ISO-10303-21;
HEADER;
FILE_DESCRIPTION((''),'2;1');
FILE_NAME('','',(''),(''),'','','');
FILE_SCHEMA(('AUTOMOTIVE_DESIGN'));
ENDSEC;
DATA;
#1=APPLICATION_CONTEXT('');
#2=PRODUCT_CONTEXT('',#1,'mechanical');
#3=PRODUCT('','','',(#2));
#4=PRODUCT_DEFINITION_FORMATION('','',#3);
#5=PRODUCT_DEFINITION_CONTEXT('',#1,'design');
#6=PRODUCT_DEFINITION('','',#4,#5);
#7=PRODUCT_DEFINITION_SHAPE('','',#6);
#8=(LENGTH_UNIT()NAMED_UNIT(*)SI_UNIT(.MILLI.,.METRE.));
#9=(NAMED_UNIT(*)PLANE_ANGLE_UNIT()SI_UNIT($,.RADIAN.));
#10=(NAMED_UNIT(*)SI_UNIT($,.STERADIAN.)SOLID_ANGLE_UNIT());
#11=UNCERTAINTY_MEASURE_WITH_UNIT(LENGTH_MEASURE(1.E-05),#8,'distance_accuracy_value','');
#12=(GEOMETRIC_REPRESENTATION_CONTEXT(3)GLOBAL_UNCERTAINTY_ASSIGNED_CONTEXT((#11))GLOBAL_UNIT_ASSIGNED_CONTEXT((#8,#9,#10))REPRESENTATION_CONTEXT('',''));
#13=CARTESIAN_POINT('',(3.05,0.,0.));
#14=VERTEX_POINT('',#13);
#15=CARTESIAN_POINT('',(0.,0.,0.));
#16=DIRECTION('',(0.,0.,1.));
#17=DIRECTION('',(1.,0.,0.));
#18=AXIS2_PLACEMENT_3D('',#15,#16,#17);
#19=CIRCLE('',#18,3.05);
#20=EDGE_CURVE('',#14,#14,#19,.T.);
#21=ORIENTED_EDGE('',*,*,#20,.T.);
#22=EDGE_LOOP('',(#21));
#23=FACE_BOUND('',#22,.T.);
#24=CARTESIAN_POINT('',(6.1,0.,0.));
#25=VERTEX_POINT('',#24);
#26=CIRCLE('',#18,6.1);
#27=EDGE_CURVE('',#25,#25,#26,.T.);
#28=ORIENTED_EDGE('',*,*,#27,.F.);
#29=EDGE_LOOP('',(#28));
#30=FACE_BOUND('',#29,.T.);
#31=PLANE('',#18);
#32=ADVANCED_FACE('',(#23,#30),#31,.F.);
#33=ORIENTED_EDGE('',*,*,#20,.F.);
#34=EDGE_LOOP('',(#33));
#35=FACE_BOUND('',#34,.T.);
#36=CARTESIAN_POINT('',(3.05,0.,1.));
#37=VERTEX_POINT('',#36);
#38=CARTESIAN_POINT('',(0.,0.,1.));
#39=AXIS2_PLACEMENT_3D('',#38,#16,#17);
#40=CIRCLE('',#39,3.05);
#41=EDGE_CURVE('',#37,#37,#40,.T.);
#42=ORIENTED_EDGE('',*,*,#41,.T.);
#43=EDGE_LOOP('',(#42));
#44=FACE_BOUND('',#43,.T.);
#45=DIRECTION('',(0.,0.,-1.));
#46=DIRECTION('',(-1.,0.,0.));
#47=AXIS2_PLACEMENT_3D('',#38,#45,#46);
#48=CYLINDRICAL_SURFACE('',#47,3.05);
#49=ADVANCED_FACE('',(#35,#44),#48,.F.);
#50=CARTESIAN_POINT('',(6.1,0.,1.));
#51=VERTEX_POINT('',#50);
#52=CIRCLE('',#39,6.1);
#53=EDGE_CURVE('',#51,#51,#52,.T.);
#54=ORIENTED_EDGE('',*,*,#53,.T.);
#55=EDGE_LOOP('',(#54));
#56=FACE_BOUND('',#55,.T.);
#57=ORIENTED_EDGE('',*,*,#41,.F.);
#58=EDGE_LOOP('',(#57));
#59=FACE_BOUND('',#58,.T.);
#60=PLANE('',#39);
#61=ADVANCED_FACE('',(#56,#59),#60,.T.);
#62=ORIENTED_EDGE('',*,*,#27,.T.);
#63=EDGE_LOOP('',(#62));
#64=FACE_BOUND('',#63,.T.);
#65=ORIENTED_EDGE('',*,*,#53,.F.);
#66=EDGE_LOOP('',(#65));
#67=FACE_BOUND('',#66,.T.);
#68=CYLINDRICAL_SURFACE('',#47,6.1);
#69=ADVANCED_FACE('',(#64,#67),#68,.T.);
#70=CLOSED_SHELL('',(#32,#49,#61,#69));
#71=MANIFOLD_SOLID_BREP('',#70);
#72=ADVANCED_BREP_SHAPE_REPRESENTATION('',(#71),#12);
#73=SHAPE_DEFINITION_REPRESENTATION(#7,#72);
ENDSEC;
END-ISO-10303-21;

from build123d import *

# Parameters (mm, degrees)
SKETCH1_R           = 6.1
SKETCH1_R_2         = 3.05
BOSS_EXTRUDE1_DEPTH = 1


with BuildPart() as part:
    # Sketch1 → Boss-Extrude1 (new body)
    with BuildSketch(Plane.XY):
        Circle(SKETCH1_R)
        Circle(SKETCH1_R_2, mode=Mode.SUBTRACT)
    extrude(amount=BOSS_EXTRUDE1_DEPTH)


solid = part.part
